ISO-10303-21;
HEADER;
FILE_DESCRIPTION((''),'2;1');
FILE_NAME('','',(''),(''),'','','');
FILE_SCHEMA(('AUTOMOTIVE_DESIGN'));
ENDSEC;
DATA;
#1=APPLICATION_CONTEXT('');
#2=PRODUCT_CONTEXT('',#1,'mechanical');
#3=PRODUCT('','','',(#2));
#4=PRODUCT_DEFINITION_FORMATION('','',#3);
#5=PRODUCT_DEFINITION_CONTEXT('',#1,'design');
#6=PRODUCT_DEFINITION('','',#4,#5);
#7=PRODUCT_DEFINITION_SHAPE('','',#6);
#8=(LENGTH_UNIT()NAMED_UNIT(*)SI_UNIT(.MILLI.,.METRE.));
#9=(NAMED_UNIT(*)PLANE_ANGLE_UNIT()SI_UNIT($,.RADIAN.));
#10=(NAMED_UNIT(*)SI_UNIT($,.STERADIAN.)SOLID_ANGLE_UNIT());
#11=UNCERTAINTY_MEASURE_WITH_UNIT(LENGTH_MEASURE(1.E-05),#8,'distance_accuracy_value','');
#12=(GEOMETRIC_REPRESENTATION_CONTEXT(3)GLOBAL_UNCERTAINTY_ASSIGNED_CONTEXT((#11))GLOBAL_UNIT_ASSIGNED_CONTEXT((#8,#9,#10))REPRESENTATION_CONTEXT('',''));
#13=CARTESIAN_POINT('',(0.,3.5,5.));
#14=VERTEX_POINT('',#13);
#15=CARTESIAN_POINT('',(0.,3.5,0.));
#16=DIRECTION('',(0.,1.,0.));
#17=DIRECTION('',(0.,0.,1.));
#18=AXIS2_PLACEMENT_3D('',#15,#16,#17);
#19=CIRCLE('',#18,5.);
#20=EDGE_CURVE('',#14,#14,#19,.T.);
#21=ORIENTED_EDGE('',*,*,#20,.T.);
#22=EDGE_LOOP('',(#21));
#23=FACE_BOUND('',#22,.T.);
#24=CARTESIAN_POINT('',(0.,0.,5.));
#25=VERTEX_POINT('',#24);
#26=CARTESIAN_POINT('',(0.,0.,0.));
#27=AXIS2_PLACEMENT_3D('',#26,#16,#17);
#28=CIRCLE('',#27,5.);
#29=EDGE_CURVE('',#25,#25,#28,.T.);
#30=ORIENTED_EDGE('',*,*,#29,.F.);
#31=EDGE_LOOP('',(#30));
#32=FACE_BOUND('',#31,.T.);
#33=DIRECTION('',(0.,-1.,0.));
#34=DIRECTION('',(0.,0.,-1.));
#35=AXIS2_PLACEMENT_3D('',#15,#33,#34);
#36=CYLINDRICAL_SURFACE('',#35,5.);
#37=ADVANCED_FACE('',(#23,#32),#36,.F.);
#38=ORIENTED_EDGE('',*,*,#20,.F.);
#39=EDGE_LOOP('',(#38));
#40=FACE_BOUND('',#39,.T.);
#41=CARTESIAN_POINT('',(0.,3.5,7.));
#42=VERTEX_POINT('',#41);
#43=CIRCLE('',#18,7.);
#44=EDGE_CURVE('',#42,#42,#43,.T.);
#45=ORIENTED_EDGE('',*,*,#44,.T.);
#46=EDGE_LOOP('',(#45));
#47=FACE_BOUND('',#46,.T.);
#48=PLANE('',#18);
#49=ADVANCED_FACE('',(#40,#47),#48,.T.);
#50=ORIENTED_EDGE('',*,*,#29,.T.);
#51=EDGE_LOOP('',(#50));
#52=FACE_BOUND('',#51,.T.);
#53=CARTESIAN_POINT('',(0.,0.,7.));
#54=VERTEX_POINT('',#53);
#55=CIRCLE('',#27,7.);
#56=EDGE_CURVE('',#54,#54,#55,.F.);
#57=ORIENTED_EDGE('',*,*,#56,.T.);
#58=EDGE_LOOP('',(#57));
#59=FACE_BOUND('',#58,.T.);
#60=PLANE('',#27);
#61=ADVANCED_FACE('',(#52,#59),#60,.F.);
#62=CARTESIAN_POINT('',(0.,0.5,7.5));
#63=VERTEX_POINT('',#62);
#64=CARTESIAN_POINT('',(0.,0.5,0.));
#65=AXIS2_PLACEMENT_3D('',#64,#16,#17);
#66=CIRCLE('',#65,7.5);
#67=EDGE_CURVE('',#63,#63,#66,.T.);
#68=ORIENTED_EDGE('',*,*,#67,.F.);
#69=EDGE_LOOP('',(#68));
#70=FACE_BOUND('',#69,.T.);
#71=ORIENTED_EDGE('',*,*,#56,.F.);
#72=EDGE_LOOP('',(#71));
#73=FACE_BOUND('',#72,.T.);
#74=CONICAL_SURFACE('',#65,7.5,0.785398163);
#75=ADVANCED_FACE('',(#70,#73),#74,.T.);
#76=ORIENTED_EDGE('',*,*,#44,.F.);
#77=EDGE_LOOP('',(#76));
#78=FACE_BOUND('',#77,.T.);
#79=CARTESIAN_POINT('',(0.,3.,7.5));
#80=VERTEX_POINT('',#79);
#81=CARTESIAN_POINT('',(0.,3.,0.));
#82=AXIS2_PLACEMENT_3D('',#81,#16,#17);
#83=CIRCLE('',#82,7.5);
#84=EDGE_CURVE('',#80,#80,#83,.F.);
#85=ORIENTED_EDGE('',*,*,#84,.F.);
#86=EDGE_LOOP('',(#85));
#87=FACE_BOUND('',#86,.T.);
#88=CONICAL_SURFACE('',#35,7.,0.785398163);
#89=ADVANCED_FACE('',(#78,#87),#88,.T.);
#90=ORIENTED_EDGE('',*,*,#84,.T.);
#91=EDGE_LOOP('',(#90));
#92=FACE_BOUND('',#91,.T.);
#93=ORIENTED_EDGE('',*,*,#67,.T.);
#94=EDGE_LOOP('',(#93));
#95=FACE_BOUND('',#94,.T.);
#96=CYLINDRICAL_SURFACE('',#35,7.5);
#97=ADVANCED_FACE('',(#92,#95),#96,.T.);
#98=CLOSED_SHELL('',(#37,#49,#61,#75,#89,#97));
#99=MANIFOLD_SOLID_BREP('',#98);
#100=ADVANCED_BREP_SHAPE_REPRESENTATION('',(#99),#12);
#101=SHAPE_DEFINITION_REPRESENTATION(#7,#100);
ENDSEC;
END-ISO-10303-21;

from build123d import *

# Parameters (mm, degrees)
SKETCH1_R            = 7.5
SKETCH1_R_2          = 5
CORPO_15_3_5_DEPTH   = 3.5
CHANFROS_0_5_45_SIZE = 0.5


with BuildPart() as part:
    # Sketch1 → Corpo Ø15×3.5 (new body)
    with BuildSketch(Plane(origin=(0, 0, 0), x_dir=(1, 0, 0), z_dir=(0, 1, 0))):
        with Locations(Location((0, 0, 0), (0, 0, 270))):
            Circle(SKETCH1_R)
        with Locations(Location((0, 0, 0), (0, 0, 270))):
            Circle(SKETCH1_R_2, mode=Mode.SUBTRACT)
    extrude(amount=CORPO_15_3_5_DEPTH)

    # Chanfros 0.5×45°
    chanfros_0_5_45_edges = [part.edges().sort_by_distance(p)[0] for p in [
        (0, 0, -7.5),
        (0, 3.5, -7.5),
    ]]
    chamfer(chanfros_0_5_45_edges, length=CHANFROS_0_5_45_SIZE)


solid = part.part
